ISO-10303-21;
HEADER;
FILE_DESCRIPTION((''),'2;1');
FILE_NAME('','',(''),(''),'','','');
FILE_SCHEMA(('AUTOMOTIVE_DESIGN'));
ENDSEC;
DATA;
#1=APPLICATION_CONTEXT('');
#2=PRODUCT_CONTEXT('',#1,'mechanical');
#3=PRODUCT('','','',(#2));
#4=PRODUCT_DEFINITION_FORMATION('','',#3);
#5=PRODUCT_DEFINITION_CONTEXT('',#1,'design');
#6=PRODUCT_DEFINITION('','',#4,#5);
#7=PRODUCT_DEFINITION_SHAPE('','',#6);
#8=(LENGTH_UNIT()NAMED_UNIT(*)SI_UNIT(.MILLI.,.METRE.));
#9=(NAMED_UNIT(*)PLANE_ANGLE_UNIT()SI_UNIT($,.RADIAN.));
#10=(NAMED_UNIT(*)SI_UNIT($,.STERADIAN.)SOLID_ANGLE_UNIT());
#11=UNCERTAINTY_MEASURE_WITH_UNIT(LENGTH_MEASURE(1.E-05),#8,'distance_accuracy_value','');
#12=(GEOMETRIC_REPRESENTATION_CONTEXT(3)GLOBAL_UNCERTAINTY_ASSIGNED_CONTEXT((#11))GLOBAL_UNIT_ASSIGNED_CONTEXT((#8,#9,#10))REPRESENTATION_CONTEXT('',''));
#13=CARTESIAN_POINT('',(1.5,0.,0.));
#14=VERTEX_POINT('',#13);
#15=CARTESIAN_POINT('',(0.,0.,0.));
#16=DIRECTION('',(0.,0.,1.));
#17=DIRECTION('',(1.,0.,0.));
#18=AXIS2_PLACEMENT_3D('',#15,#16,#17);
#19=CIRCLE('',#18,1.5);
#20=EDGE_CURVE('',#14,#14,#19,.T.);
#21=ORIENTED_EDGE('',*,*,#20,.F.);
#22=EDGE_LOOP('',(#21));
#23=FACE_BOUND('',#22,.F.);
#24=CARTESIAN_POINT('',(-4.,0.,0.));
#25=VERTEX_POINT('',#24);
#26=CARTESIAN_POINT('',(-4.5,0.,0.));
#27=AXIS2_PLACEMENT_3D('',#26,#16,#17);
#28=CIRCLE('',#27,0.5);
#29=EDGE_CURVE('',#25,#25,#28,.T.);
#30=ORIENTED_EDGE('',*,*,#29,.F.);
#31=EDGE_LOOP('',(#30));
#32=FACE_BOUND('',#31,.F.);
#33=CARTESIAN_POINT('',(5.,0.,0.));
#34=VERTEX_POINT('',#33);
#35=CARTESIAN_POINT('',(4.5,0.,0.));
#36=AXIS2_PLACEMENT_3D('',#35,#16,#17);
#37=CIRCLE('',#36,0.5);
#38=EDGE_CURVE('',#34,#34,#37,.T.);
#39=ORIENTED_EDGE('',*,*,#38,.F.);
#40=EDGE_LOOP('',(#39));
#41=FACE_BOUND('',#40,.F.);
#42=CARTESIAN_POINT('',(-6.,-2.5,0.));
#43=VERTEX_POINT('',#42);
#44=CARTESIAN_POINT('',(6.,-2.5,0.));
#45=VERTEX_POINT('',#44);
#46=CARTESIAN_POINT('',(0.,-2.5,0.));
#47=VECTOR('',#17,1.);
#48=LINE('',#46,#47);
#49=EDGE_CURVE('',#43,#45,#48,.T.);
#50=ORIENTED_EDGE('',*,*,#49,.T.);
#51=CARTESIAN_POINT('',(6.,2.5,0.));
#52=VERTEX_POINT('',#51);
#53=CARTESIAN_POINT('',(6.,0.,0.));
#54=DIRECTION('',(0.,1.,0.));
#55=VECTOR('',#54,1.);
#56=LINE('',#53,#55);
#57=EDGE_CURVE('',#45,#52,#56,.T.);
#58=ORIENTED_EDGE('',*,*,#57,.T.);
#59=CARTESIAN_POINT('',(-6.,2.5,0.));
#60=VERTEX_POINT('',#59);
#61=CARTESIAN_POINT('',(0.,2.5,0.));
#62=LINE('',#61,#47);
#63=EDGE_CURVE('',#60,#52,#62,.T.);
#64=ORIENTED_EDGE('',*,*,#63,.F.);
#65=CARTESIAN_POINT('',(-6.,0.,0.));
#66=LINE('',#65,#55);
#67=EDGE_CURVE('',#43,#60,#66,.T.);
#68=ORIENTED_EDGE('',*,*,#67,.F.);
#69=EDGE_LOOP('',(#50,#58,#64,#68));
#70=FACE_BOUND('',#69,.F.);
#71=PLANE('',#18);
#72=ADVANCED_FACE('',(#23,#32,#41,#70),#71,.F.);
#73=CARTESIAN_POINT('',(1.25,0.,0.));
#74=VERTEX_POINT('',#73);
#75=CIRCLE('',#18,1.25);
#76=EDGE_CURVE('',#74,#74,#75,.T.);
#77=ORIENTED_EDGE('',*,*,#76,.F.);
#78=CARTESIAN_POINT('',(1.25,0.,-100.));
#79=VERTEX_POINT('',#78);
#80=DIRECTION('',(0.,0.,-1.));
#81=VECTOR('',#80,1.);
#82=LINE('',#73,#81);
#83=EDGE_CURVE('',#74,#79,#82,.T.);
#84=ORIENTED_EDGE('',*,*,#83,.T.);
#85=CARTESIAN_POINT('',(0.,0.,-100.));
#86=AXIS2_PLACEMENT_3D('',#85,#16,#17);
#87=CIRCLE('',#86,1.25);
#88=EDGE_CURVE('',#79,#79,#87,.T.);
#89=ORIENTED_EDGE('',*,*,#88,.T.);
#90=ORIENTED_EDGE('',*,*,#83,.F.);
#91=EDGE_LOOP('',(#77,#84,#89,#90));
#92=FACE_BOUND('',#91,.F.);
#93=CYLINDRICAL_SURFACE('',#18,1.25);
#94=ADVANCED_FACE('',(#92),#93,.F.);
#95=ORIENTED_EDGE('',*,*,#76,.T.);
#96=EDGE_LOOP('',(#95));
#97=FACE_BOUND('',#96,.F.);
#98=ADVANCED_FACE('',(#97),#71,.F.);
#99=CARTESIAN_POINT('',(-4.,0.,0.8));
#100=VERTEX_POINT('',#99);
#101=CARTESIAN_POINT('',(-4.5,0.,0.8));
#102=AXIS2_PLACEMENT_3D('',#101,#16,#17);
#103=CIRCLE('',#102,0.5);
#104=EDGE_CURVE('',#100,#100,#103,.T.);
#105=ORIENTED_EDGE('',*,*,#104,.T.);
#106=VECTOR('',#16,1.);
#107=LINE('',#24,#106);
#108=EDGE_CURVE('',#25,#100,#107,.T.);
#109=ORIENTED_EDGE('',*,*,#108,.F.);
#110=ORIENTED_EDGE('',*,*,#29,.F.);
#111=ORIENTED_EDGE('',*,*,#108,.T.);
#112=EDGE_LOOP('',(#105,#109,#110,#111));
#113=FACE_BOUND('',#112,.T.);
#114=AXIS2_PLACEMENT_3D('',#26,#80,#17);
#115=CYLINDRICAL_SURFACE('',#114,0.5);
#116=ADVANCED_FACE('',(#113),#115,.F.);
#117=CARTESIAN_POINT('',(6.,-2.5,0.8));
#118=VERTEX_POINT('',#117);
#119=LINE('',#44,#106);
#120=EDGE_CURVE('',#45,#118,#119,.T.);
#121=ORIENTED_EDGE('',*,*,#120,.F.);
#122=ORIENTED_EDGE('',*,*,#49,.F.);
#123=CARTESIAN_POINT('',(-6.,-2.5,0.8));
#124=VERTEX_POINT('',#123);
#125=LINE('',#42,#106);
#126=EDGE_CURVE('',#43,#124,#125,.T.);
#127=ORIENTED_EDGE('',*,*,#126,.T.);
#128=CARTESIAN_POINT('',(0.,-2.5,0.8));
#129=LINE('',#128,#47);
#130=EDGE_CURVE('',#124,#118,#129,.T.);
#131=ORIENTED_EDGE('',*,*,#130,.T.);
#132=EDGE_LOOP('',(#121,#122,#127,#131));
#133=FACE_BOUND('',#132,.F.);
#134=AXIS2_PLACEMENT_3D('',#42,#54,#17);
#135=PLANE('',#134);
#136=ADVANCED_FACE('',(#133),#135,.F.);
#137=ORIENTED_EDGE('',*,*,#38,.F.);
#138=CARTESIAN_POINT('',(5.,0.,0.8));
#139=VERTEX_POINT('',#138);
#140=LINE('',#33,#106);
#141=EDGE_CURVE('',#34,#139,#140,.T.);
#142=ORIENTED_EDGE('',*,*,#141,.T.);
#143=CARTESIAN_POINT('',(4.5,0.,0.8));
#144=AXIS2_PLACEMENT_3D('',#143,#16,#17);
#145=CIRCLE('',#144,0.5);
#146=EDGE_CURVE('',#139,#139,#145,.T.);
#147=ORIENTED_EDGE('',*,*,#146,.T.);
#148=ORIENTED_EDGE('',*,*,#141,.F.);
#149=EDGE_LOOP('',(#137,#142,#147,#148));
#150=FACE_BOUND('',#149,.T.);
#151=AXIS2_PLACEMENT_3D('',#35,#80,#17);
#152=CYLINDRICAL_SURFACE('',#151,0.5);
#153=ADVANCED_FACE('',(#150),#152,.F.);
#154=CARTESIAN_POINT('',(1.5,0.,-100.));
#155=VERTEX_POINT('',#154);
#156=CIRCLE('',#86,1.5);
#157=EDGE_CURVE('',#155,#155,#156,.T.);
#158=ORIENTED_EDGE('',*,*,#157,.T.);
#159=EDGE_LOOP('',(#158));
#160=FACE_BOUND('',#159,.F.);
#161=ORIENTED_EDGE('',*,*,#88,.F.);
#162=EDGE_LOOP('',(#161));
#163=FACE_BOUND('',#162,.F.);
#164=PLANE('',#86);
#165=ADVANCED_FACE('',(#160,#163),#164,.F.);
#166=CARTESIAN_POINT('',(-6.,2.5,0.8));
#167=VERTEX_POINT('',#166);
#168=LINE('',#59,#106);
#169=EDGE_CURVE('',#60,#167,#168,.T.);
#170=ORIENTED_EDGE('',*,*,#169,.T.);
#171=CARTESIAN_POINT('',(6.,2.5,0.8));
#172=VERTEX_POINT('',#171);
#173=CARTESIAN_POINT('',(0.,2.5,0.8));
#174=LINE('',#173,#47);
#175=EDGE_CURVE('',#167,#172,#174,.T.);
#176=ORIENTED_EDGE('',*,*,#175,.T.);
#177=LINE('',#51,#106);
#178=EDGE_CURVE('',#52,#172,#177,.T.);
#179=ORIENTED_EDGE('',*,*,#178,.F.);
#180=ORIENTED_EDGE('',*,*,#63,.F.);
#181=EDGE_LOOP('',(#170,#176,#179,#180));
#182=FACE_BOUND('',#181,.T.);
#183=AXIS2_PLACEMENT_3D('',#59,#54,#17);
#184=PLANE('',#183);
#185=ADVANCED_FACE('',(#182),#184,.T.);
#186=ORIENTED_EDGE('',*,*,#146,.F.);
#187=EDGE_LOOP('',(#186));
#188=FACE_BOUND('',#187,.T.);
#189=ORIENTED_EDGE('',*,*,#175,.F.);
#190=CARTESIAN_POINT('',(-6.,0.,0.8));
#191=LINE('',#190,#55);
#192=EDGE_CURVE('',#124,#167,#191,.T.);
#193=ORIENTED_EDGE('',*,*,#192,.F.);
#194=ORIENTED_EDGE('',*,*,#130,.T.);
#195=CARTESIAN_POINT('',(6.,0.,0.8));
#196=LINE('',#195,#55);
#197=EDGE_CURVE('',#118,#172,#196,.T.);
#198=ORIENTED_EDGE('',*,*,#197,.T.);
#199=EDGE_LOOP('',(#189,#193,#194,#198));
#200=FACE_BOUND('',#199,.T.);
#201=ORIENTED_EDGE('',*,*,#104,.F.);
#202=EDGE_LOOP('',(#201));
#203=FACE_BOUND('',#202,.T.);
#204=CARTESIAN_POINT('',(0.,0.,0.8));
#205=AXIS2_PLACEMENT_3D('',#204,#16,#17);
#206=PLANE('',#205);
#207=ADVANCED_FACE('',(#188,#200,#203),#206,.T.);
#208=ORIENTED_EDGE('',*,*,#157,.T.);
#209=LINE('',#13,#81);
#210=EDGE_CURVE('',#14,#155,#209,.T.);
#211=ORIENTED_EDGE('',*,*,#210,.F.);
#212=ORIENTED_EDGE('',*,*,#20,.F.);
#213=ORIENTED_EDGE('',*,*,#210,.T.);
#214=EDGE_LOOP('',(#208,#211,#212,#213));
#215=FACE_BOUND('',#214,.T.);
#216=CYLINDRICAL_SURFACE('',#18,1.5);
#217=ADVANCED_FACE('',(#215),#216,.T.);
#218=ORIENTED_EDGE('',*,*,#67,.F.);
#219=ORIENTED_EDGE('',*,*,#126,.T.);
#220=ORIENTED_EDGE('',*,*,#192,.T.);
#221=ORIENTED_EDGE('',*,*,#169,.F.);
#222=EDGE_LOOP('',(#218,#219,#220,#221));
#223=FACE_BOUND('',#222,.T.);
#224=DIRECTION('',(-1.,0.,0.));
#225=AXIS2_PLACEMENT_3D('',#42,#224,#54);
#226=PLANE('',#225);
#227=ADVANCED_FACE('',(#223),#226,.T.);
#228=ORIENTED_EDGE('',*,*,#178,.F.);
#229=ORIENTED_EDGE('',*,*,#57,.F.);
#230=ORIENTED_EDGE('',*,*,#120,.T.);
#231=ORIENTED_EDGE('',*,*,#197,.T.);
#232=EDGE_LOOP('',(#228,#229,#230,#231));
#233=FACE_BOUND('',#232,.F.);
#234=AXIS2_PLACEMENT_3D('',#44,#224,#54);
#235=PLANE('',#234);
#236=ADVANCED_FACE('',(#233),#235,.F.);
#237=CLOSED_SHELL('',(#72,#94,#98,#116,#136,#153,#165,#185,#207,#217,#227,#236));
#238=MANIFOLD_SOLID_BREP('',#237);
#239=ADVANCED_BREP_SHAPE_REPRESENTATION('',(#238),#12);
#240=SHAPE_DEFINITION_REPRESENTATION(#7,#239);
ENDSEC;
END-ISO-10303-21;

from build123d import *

# Parameters (mm, degrees)
F0_W     = 12
F0_H     = 5
F0_R     = 0.5
F1_DEPTH = 0.8
F2_R     = 1.5
F2_R_2   = 1.25
F3_DEPTH = 100


with BuildPart() as f1:
    # F0 (on Top) → F1 (new body)
    with BuildSketch(Plane.XY):
        Rectangle(F0_W, F0_H)
        with Locations((-4.5, 0)):
            Circle(F0_R, mode=Mode.SUBTRACT)
        with Locations((4.5, 0)):
            Circle(F0_R, mode=Mode.SUBTRACT)
    extrude(amount=F1_DEPTH)

    # F2 (on Top) → F3 (join)
    with BuildSketch(Plane.XY):
        Circle(F2_R)
        Circle(F2_R_2, mode=Mode.SUBTRACT)
    extrude(amount=-F3_DEPTH)


solid = f1.part
